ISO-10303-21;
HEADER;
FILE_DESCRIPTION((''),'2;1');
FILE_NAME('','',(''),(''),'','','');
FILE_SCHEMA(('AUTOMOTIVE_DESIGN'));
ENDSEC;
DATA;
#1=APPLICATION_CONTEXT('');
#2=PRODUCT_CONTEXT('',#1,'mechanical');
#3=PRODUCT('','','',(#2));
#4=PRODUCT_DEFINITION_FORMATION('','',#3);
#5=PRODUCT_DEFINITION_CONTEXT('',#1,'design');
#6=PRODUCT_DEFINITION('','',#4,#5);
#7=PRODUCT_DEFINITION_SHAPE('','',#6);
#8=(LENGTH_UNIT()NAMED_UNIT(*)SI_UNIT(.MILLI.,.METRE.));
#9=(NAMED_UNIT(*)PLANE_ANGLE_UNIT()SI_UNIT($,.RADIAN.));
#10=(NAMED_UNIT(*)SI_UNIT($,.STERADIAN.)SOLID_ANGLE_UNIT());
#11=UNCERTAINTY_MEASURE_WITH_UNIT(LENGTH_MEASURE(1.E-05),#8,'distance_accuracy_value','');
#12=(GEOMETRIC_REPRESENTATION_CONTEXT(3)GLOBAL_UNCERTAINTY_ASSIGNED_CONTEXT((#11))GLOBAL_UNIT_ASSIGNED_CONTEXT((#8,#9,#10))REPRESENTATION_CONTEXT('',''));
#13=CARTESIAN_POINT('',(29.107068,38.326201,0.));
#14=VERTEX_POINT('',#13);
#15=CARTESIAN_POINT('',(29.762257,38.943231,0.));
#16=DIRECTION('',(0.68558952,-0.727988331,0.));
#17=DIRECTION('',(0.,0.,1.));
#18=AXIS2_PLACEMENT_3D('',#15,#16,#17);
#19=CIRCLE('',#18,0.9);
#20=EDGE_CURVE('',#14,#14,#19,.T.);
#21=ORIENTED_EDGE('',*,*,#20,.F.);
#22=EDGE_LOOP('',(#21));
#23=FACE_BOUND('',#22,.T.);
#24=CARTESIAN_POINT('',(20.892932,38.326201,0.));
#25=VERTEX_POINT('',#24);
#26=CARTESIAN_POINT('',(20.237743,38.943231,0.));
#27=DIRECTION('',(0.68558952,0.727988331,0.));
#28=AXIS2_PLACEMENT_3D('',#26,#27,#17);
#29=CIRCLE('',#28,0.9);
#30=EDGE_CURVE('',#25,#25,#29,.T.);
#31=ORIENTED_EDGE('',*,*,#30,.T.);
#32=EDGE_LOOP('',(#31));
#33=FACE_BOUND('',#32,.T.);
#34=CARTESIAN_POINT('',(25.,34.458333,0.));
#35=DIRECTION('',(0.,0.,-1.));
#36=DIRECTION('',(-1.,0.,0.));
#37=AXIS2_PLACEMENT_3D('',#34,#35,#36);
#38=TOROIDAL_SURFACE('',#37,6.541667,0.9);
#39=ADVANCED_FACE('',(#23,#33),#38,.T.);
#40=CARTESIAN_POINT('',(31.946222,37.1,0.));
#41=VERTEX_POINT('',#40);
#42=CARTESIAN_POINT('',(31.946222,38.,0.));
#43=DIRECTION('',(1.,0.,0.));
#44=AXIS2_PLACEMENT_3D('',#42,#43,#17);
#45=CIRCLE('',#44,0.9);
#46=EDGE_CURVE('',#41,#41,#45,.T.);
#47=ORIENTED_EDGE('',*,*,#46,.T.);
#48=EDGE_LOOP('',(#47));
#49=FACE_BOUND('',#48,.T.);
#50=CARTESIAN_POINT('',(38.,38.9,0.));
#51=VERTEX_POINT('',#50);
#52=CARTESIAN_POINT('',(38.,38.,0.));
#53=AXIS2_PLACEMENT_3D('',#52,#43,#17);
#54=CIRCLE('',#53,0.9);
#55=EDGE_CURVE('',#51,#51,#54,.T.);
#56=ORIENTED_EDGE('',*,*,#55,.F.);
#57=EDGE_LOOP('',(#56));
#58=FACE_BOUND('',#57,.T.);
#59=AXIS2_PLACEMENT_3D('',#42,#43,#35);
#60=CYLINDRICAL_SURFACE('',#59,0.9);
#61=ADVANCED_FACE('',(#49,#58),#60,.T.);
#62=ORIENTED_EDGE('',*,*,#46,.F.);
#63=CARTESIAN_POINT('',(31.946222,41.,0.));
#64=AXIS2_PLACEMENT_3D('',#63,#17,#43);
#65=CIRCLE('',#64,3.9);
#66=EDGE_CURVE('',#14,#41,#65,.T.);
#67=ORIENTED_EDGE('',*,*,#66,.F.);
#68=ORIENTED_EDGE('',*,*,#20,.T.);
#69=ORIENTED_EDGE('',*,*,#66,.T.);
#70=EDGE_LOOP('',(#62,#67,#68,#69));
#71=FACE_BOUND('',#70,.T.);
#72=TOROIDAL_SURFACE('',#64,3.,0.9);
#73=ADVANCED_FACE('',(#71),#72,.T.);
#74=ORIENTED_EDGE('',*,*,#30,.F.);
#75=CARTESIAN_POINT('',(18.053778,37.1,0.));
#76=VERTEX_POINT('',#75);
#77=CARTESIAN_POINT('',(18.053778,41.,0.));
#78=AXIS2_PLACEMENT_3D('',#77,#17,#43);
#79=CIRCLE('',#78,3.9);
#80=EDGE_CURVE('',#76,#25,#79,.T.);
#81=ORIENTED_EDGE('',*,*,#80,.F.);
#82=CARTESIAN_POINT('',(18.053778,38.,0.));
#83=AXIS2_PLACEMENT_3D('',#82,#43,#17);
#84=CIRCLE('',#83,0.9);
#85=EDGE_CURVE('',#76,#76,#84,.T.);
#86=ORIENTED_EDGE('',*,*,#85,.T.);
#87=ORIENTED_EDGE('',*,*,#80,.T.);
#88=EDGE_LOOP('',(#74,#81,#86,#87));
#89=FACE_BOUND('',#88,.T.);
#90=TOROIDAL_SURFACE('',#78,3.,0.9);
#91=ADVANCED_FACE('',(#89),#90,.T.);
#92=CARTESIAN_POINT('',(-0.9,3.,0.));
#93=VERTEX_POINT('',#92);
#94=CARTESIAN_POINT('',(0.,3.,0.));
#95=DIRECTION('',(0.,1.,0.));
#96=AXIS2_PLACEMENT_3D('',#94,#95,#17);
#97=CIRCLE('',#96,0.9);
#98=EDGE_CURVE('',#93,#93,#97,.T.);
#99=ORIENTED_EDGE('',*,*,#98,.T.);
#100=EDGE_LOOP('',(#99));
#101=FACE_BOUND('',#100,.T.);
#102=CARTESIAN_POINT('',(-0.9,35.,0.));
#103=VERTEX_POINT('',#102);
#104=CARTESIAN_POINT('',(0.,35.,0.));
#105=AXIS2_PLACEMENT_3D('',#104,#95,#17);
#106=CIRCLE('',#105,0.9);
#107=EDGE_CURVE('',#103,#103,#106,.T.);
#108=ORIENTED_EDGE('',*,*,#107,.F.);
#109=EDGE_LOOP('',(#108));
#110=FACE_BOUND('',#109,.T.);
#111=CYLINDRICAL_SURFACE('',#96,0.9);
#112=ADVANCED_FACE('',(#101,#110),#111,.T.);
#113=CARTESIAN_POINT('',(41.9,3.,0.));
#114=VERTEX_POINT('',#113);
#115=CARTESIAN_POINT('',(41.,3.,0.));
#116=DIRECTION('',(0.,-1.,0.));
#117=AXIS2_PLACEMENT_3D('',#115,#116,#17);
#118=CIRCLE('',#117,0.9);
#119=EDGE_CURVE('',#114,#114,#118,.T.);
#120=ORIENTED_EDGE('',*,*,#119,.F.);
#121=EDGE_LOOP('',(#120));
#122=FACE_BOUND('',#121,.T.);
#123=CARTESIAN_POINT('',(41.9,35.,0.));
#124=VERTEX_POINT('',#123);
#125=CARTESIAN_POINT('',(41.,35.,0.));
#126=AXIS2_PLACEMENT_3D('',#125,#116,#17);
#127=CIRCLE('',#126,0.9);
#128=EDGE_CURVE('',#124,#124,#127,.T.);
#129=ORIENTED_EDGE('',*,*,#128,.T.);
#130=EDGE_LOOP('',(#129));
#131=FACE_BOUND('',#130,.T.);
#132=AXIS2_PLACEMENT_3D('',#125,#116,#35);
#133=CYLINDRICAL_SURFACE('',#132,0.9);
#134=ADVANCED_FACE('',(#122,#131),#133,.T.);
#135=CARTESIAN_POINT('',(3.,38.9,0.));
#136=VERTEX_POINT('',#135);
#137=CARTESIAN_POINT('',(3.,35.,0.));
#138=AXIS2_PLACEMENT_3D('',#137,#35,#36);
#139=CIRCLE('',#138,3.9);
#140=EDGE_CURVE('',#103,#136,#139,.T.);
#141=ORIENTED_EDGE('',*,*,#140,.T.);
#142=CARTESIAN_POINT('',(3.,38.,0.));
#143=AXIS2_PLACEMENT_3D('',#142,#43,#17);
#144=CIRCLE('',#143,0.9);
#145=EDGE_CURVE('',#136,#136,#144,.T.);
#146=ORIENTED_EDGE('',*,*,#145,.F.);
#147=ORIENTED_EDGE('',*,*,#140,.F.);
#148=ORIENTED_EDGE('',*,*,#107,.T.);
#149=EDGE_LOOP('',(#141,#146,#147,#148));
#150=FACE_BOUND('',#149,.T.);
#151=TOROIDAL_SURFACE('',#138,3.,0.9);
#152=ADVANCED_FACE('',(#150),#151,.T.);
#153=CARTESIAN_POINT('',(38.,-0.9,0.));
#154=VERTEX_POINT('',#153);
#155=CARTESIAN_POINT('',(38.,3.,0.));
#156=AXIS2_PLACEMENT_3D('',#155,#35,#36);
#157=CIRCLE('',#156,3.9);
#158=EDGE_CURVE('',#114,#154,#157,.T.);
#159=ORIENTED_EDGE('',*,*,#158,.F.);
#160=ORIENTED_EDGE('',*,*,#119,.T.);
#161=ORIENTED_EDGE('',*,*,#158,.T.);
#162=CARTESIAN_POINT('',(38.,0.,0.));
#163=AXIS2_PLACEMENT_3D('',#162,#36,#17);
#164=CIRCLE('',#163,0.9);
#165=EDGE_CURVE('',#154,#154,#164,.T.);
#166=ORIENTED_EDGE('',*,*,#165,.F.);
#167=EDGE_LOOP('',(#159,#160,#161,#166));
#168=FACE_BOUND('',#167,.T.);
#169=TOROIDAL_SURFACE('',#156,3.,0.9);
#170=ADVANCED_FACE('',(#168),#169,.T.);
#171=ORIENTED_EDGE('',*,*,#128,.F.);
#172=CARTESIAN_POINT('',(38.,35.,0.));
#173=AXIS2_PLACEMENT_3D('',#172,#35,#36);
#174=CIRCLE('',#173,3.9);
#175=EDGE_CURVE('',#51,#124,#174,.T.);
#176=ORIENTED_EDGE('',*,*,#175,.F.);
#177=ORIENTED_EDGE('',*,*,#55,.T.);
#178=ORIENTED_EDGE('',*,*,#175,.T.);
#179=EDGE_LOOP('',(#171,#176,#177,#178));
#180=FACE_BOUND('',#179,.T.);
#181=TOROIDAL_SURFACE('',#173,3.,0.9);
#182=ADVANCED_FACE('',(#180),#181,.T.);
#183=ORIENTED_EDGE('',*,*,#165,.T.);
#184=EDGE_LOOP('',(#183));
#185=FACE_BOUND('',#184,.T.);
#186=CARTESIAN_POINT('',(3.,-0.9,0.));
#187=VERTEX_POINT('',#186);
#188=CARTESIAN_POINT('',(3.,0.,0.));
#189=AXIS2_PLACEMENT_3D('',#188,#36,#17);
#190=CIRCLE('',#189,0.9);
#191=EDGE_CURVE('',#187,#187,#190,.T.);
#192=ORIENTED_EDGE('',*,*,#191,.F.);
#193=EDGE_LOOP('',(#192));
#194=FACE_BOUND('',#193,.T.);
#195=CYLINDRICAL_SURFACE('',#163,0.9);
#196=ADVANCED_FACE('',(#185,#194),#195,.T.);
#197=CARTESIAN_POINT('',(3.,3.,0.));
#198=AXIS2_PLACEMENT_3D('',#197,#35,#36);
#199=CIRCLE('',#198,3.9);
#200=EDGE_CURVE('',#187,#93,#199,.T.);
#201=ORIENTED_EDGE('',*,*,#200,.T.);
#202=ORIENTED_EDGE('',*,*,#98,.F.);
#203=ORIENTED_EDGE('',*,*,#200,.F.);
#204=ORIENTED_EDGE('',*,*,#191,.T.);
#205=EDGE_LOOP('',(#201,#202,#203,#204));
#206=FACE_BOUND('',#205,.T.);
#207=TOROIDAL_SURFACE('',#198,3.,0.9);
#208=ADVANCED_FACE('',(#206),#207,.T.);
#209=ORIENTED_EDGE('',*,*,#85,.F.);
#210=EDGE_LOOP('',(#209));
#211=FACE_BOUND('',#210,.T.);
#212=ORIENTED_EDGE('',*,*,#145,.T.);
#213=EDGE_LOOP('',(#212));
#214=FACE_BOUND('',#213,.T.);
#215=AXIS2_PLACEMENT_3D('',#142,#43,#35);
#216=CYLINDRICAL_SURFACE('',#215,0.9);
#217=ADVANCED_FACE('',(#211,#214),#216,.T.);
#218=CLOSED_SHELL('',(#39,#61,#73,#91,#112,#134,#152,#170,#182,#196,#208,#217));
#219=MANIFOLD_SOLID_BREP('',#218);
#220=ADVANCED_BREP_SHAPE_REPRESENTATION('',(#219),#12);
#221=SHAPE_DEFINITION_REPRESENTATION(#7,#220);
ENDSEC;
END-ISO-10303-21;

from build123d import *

# Parameters (mm, degrees)
SKETCH_3_R = 0.9


with BuildPart() as part:
    # По траектории2: sweep along a path in Эскиз1
    with BuildLine(Plane.XY) as sweep_2_path:
        Line((0, 3), (0, 35))
        ThreePointArc((0, 35), (0.878679656, 37.121320344), (3, 38))
        Line((3, 38), (18.053778005, 38))
        ThreePointArc((18.053778005, 38), (19.243251486, 38.245884382), (20.237742999, 38.943231441))
        ThreePointArc((20.237742999, 38.943231441), (25, 41), (29.762257001, 38.943231441))
        ThreePointArc((29.762257001, 38.943231441), (30.756748514, 38.245884382), (31.946221995, 38))
        Line((31.946221995, 38), (38, 38))
        ThreePointArc((38, 38), (40.121320344, 37.121320344), (41, 35))
        Line((41, 35), (41, 3))
        ThreePointArc((41, 3), (40.121320344, 0.878679656), (38, 0))
        Line((38, 0), (3, 0))
        ThreePointArc((3, 0), (0.878679656, 0.878679656), (0, 3))
    # Эскиз3 → По траектории2 (sweep)
    with BuildSketch(Plane(origin=(0, 3, 0), x_dir=(1, 0, 0), z_dir=(0, 1, 0))):
        Circle(SKETCH_3_R)
    sweep(path=sweep_2_path.line)


solid = part.part
